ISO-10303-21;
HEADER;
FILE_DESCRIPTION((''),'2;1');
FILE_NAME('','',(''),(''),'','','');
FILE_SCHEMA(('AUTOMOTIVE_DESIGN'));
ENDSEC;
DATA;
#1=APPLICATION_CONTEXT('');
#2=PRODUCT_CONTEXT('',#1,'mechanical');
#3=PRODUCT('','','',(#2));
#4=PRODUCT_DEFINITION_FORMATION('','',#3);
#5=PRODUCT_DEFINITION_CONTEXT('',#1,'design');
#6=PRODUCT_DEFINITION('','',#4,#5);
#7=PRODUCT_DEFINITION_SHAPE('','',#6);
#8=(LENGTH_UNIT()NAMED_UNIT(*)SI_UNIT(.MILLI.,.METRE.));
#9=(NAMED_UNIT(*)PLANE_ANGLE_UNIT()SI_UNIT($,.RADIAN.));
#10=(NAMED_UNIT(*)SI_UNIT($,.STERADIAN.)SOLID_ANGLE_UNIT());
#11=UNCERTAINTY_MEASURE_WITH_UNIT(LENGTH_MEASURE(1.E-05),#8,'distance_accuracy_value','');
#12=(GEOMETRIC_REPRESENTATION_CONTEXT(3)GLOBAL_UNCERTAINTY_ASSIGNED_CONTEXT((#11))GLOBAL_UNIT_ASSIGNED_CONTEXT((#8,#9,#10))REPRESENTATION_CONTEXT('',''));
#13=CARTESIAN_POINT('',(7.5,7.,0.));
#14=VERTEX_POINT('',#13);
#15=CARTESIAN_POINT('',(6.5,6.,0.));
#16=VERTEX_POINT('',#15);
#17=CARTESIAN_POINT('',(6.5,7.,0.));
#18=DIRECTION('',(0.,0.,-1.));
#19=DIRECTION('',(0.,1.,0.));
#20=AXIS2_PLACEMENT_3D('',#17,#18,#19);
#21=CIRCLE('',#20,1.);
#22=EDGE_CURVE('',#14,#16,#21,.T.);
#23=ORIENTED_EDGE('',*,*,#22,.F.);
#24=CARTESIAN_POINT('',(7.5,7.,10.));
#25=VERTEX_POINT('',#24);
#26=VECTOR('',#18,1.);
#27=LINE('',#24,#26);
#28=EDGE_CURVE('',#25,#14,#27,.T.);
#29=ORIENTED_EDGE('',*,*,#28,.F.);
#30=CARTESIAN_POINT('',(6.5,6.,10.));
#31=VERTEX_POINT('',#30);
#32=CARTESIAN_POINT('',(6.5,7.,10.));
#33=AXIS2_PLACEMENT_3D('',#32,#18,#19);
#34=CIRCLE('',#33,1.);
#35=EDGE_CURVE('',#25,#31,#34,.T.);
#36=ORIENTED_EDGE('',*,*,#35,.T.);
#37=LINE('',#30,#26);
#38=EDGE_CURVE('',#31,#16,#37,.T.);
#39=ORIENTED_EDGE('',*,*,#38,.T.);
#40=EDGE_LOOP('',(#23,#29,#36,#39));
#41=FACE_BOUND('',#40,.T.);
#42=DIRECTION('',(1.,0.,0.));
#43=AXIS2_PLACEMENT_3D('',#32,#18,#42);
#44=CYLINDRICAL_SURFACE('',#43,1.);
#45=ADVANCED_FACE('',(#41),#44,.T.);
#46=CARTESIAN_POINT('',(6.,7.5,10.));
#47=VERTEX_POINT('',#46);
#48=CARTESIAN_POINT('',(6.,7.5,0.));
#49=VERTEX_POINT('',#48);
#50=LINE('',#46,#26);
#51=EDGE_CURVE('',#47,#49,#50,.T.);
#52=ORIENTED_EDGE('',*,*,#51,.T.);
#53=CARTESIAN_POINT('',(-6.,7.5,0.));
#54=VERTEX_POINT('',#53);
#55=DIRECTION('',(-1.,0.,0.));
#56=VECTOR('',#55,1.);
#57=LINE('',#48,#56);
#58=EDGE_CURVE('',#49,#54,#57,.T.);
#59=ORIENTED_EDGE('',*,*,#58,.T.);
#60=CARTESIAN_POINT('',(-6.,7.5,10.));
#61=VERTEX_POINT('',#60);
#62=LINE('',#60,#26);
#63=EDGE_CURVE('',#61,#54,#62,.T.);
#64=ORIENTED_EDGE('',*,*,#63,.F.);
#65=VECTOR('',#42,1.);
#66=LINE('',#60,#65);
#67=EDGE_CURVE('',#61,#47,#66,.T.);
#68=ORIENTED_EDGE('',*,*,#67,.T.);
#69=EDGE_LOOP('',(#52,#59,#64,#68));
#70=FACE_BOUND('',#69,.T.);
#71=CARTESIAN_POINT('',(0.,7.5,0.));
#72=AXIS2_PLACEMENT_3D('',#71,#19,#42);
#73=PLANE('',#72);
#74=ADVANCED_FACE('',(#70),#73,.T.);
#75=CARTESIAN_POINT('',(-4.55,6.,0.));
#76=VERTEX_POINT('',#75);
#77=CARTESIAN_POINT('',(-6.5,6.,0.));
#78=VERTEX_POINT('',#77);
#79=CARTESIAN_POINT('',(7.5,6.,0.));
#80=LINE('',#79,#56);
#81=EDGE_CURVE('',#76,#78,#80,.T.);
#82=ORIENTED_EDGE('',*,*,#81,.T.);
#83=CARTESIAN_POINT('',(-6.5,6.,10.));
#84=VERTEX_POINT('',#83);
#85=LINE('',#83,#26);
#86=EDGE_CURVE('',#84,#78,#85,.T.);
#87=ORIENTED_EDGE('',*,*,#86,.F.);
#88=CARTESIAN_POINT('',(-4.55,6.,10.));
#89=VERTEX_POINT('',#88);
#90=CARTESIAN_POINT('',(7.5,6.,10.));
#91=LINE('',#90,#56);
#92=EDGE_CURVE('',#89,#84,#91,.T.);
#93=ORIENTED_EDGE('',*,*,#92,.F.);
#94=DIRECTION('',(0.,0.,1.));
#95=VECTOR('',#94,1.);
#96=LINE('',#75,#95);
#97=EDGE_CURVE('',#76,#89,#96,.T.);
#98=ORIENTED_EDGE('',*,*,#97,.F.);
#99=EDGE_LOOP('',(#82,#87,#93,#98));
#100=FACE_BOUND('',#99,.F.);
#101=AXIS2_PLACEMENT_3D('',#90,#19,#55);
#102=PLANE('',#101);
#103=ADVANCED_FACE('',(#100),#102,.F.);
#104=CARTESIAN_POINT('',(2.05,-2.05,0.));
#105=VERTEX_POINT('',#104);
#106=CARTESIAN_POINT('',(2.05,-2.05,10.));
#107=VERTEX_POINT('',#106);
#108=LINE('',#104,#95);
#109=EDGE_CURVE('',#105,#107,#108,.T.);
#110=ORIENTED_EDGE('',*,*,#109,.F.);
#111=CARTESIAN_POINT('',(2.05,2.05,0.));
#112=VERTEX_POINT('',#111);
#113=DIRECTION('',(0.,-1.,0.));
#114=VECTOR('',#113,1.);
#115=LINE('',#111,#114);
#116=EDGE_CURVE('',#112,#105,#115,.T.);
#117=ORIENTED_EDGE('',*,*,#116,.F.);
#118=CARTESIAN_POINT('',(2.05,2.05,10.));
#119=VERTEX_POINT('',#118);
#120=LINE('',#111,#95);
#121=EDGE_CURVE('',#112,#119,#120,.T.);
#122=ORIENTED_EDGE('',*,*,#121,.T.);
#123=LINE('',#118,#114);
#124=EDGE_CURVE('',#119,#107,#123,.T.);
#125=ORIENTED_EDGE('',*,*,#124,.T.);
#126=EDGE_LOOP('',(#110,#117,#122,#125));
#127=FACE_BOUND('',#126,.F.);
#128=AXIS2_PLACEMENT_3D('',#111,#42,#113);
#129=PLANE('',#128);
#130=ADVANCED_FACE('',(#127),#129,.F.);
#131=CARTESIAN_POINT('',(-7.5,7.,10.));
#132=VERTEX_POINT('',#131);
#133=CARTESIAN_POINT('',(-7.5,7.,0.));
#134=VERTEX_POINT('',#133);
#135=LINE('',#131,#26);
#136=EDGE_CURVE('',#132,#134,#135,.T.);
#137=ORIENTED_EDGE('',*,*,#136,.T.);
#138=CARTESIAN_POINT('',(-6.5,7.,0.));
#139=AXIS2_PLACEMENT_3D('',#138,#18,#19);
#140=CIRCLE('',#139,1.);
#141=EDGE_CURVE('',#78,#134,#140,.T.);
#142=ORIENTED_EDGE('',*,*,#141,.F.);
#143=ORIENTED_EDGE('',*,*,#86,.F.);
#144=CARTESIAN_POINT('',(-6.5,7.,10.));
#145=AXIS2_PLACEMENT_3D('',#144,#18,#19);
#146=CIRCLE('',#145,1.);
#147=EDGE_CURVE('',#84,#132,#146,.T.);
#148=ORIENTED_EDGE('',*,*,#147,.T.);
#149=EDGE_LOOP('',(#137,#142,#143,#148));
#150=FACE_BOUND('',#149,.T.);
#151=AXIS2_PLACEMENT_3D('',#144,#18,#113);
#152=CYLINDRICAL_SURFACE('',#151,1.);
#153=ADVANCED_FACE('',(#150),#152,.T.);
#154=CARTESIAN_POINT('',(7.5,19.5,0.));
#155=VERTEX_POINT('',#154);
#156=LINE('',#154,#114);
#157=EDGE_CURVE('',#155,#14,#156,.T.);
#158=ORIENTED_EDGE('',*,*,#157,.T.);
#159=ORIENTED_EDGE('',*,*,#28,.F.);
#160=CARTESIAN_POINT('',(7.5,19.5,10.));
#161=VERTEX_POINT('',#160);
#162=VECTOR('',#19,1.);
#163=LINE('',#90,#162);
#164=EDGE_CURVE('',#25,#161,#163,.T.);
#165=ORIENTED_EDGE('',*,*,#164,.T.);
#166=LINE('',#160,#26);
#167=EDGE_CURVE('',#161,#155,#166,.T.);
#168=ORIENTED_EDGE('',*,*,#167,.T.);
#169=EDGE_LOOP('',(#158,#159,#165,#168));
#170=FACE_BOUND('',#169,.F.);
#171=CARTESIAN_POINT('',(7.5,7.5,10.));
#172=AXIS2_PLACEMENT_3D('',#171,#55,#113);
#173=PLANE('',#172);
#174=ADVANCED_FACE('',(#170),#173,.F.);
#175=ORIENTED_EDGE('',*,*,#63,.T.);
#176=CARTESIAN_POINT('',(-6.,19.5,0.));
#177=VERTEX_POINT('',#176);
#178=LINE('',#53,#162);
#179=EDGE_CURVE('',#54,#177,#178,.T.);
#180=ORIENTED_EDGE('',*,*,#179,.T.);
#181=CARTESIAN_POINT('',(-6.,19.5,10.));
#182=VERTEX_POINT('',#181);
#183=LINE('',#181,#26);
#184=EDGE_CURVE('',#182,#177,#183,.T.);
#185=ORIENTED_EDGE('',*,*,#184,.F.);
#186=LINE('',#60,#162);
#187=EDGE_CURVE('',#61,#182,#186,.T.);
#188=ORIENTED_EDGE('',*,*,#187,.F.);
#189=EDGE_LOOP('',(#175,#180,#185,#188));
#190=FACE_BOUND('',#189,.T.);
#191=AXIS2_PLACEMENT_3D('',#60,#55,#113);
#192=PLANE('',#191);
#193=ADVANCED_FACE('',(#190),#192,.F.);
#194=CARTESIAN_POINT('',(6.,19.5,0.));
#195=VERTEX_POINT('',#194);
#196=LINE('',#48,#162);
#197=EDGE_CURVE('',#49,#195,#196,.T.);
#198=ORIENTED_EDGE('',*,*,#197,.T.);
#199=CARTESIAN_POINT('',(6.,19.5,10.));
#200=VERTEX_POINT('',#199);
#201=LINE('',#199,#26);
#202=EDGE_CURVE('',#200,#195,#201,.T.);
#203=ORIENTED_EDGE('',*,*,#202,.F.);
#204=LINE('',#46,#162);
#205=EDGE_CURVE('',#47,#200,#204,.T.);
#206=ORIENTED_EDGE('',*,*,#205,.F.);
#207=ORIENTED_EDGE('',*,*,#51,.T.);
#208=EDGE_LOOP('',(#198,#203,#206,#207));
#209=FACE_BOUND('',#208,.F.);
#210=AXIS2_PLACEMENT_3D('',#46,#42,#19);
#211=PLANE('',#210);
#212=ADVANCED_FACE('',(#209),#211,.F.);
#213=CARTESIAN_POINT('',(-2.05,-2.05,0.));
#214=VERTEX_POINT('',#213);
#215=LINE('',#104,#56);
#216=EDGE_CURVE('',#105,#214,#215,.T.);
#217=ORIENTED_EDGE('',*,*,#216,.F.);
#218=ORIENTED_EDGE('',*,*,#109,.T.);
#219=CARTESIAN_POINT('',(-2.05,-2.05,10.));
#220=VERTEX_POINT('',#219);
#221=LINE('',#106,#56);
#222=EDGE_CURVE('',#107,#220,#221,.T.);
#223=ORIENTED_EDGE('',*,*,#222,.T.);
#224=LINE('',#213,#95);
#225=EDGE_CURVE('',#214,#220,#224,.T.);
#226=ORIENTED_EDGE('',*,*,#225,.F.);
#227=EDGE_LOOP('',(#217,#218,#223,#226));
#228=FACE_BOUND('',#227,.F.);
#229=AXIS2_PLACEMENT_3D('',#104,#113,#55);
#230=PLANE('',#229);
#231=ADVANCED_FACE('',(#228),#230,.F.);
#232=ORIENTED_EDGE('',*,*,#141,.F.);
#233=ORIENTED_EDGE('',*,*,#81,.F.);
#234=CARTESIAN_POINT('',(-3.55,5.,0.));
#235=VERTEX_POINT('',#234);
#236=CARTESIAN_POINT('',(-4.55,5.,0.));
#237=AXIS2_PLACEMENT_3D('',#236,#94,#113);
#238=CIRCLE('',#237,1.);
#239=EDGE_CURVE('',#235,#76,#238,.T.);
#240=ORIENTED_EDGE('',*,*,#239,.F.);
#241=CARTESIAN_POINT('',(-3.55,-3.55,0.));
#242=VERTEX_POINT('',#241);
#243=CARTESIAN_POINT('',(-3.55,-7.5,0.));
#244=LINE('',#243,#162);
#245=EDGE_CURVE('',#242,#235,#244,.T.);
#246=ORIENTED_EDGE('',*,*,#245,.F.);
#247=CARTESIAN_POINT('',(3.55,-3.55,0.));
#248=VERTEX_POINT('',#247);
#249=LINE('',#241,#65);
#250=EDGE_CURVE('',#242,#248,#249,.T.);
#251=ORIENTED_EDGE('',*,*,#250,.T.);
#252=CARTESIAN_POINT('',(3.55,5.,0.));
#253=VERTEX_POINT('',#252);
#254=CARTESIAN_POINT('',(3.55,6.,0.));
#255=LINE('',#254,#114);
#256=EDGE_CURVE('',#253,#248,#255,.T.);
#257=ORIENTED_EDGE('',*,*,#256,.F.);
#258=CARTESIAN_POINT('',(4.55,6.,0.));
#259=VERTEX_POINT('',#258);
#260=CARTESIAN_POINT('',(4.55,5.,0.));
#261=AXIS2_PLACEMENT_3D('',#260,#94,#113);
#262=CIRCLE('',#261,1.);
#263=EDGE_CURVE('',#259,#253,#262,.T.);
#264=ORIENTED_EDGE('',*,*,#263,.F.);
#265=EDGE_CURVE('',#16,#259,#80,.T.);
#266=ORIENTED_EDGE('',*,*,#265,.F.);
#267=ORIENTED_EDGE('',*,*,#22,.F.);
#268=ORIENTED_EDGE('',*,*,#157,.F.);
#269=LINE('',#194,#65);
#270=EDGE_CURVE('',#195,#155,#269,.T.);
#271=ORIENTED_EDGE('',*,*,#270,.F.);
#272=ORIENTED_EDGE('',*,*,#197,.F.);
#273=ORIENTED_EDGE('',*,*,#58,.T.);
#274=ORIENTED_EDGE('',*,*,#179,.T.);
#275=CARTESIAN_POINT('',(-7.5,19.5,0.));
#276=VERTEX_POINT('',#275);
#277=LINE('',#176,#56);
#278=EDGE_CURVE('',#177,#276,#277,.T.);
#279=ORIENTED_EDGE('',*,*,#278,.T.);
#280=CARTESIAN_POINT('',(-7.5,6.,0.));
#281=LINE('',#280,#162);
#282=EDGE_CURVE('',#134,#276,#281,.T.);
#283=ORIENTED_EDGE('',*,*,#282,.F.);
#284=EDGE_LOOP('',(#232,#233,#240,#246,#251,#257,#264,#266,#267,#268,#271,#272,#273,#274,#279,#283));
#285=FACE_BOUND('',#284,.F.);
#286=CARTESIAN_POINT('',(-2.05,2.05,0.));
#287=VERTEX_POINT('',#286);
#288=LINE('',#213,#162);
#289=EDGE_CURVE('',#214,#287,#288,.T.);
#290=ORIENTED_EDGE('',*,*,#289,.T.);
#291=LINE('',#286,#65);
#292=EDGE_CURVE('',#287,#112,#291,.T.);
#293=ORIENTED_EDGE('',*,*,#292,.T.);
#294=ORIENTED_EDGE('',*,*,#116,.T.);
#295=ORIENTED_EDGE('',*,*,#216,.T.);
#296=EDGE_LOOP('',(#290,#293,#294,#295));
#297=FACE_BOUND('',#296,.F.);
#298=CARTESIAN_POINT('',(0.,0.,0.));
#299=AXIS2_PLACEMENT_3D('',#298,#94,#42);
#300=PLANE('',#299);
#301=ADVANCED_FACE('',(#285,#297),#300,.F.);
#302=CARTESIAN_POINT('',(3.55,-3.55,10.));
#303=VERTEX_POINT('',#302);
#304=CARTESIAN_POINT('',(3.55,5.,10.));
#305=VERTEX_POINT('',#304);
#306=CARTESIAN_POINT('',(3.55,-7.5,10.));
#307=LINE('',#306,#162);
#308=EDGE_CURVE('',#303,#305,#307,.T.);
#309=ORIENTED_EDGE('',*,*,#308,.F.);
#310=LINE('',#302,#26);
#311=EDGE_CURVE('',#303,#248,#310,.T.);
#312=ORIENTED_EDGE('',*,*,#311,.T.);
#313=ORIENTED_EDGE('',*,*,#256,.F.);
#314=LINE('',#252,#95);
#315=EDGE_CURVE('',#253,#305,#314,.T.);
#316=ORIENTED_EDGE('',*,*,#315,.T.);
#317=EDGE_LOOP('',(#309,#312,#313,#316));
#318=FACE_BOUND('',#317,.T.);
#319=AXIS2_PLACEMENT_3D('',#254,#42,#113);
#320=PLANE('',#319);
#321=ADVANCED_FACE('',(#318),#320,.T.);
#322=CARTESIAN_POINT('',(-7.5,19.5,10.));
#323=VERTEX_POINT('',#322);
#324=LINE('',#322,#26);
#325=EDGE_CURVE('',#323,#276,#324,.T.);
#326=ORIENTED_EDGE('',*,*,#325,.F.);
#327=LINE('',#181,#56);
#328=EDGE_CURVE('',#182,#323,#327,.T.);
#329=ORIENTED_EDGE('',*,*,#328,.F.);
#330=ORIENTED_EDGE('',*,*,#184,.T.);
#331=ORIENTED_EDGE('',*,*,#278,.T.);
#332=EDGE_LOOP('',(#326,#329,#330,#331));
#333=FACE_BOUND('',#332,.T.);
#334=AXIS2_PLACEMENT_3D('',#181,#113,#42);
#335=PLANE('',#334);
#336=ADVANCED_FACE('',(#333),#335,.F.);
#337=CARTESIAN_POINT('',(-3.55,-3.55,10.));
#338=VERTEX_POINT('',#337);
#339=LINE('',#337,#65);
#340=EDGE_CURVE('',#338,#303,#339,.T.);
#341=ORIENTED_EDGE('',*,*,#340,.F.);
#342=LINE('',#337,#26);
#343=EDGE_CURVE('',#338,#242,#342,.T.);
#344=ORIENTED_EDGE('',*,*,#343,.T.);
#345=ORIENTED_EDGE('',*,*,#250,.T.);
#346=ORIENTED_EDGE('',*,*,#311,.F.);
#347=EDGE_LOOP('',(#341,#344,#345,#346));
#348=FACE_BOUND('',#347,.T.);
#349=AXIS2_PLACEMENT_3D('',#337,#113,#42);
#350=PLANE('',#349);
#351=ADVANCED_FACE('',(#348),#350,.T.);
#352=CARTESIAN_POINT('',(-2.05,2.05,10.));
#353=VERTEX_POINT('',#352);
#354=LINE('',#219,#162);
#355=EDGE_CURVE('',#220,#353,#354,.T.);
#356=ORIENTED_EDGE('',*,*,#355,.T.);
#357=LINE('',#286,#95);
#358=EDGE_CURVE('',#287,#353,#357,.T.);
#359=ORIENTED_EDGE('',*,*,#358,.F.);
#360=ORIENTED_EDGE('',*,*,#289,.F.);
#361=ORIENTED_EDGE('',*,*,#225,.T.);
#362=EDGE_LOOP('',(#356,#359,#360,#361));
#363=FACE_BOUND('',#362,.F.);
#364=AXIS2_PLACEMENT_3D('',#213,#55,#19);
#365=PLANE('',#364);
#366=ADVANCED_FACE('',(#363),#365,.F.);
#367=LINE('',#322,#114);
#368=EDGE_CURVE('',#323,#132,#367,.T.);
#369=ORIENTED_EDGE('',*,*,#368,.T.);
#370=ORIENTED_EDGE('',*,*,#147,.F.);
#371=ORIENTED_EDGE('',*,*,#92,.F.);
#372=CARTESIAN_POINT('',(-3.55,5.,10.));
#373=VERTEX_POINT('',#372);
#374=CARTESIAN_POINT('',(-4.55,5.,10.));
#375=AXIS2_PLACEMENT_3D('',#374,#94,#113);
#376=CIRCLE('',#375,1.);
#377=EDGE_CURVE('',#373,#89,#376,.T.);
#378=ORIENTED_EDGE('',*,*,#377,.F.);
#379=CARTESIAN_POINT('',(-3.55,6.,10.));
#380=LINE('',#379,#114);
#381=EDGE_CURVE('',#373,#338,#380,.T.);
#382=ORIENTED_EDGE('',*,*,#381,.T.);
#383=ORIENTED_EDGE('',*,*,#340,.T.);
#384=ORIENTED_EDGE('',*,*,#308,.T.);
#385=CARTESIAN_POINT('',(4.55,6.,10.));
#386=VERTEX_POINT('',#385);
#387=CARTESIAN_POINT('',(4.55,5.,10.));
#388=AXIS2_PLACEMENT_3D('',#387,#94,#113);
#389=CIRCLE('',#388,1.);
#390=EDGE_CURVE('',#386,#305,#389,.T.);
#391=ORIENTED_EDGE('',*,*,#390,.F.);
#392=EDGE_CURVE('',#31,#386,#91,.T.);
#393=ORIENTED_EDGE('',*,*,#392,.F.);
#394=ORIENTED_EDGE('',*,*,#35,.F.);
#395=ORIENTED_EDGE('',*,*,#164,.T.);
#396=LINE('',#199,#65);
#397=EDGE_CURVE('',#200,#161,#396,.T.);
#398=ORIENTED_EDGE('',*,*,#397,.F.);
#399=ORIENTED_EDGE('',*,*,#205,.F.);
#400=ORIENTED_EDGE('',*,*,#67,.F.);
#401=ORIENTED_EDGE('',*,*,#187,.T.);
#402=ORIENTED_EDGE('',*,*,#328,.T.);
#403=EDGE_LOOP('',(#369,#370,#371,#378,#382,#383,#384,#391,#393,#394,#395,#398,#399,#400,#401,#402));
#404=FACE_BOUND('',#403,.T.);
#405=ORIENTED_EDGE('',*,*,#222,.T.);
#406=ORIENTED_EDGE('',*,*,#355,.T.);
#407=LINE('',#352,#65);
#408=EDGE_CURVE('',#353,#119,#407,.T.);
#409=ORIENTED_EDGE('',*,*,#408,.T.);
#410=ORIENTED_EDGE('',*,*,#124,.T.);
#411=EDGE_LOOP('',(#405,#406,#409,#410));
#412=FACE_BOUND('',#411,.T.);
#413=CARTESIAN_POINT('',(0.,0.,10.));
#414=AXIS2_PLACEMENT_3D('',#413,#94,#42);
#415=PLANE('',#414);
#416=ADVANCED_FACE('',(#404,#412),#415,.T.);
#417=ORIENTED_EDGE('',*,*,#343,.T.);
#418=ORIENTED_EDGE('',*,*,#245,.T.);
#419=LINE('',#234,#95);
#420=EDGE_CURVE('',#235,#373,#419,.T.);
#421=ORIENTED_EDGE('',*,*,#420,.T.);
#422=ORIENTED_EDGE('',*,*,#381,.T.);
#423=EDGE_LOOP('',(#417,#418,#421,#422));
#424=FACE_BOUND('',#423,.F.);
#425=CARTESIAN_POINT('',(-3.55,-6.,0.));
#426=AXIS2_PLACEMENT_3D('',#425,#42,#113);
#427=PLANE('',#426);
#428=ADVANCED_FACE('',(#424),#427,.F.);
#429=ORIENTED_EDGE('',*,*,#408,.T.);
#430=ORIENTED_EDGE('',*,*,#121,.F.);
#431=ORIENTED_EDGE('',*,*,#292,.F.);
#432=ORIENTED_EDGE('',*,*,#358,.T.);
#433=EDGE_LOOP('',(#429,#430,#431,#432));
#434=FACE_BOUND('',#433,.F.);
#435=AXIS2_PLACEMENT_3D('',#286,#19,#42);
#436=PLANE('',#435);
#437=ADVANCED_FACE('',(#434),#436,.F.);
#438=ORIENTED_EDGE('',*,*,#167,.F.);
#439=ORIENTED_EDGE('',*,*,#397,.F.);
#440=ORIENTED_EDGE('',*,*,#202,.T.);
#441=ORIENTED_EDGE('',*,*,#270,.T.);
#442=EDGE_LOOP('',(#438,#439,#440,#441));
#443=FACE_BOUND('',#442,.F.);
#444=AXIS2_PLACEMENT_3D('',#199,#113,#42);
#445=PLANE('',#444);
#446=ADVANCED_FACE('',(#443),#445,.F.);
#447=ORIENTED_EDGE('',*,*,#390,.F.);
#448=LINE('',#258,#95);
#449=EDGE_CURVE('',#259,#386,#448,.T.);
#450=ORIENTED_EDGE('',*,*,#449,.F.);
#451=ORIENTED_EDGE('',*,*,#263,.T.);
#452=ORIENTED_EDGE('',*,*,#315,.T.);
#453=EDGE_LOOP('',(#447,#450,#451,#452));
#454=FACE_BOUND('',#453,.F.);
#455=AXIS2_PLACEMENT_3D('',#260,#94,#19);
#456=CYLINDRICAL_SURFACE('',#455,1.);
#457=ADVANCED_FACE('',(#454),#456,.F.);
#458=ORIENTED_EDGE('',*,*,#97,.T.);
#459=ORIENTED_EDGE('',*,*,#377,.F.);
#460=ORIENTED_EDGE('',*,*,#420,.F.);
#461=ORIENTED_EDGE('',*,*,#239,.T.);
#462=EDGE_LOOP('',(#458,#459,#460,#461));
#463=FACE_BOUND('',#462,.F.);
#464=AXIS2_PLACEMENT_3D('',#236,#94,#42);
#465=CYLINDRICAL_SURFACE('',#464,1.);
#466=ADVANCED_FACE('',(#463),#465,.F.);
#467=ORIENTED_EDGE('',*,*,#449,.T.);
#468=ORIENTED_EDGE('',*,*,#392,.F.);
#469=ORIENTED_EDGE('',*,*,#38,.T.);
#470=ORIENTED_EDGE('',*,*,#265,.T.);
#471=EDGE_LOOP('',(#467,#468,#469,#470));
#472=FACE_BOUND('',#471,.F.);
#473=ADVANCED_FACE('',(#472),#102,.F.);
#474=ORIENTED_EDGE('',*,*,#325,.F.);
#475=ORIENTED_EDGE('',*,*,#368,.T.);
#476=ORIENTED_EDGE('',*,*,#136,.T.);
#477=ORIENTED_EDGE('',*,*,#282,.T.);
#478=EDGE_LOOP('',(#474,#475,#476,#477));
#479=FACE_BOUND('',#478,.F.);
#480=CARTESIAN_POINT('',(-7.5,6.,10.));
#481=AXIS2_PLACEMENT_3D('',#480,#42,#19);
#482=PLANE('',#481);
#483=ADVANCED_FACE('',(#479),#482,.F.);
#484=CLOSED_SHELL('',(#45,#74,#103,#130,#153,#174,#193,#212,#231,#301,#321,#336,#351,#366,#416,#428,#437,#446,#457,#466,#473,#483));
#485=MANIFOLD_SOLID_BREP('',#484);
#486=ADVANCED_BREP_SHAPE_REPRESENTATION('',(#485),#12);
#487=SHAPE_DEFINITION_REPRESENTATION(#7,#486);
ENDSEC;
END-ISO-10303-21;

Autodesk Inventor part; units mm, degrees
ref_plane "YZ Plane" through (0, 0, 0) normal (1, 0, 0) x (0, 1, 0)
ref_plane "XZ Plane" through (0, 0, 0) normal (0, 1, 0) x (-1, 0, 0)
ref_plane "XY Plane" through (0, 0, 0) normal (0, 0, 1) x (1, 0, 0)
sketch "Sketch1" plane through (0, 0, 0) normal (0, 0, 1) x (1, 0, 0)
  line L0 (-2.05, 2.05) -> (2.05, 2.05)
  line L1 (2.05, 2.05) -> (2.05, -2.05)
  line L2 (2.05, -2.05) -> (-2.05, -2.05)
  line L3 (-2.05, -2.05) -> (-2.05, 2.05)
  line L4 (0, 2.05) -> (0, -2.05) construction
  line L5 (0, 7.5) -> (-15.55, 7.5)
  line L6 (-15.55, 7.5) -> (-15.55, 6)
  line L7 (-15.55, 6) -> (-3.55, 6)
  line L8 (-3.55, 6) -> (-3.55, -6)
  line L9 (-3.55, -6) -> (-15.55, -6)
  line L10 (-15.55, -6) -> (-15.55, -7.5)
  line L11 (-15.55, -7.5) -> (-0.55, -7.5)
  line L12 (-2.05, 0) -> (2.05, 0) construction
  line L13 (0, 7.5) -> (15.55, 7.5)
  line L14 (15.55, 7.5) -> (15.55, 6)
  line L15 (15.55, 6) -> (3.55, 6)
  line L16 (3.55, 6) -> (3.55, -6)
  line L17 (3.55, -6) -> (15.55, -6)
  line L18 (15.55, -6) -> (15.55, -7.5)
  line L19 (15.55, -7.5) -> (-0.55, -7.5)
  line L20 (-2.05, 2.05) -> (2.05, -2.05) construction
  line L21 (2.05, 2.05) -> (-2.05, -2.05) construction
  line L22 (0, 7.5) -> (0, 2.05) construction
  line L23 (-3.55, 6) -> (-3.55, 7.5)
  line L24 (-3.55, -6) -> (-3.55, -7.5)
  line L25 (3.55, 6) -> (3.55, 7.5)
  line L26 (3.55, -6) -> (3.55, -7.5)
  point P0 (0, 0)
  point P1 (0, 0)
  point P2 (0, 0)
  dimension "d3" = 4.1
  dimension "d4" = 4.1
  dimension "d5" = 12
  dimension "d6" = 1.5
  dimension "d7" = 1.5
  dimension "d8" = 5.45
  dimension "d9" = 5.45
  dimension "d10" = 1.5
  dimension "d11" = 12
  dimension "d37" = 15
extrude "Extrusion1" add sketch "Sketch1" along normal blind 10 contours L13 L25 L16 L26 L19 L11 L24 L8 L23 L5
sketch "Sketch5" plane through (0, 0, 10) normal (0, 0, 1) x (1, 0, 0)
  line L0 (6, 19.5) -> (7.5, 19.5)
  line L1 (7.5, 19.5) -> (7.5, 7.5)
  line L2 (7.5, 7.5) -> (6, 7.5)
  line L3 (6, 7.5) -> (6, 19.5)
  line L4 (3.55, 7.5) -> (-3.55, 7.5) projected
  line L5 (3.55, -7.5) -> (3.55, 7.5) projected
  line L6 (0, 0) -> (0, 23.4065) construction
  point P0 (15.55, 7.5)
  point P1 (-15.55, 7.5)
  point P2 (3.55, -6)
  point P3 (3.55, 6)
  dimension "d41" = 1.5
  dimension "d42" = 12
  dimension "d47" = 6
extrude "Extrusion5" add sketch "Sketch5" against normal up to surface (10 mm away)
mirror "Mirror1" about plane through (0, 0, 0) normal (1, 0, 0) of "Extrusion5"
sketch "Sketch7" plane through (0, 0, 10) normal (0, 0, 1) x (1, 0, 0)
  line L0 (-7.5, 19.5) -> (-7.5, 7.5) projected
  line L1 (-7.5, 7.5) -> (7.5, 7.5)
  line L2 (7.5, 7.5) -> (7.5, 6)
  line L3 (7.5, 6) -> (-7.5, 6)
  line L4 (-7.5, 6) -> (-7.5, 7.5)
  line L5 (7.5, 7.5) -> (7.5, 19.5) projected
  point P0 (0, 0)
  dimension "d53" = 1.5
extrude "Extrusion7" add sketch "Sketch7" against normal up to surface (10 mm away)
fillet "Fillet3" radius 1 4 edges at (-3.55, 6, 5) (3.55, 6, 5) (7.5, 6, 5) (-7.5, 6, 5)
sketch "Sketch8" plane through (0, 0, 10) normal (0, 0, 1) x (1, 0, 0)
  line L0 (-3.55, -3.55) -> (3.55, -3.55)
  line L1 (3.55, -3.55) -> (3.55, -7.5)
  line L2 (3.55, -7.5) -> (-3.55, -7.5)
  line L3 (-3.55, -7.5) -> (-3.55, -3.55)
  line L4 (2.05, -2.05) -> (-2.05, -2.05) projected
  line L5 (3.55, -7.5) -> (3.55, 5) projected
  line L6 (-3.55, 5) -> (-3.55, -7.5) projected
  line L7 (-3.55, -7.5) -> (3.55, -7.5) projected
  point P0 (0, 0)
  dimension "d57" = 1.5
extrude "Extrusion8" cut sketch "Sketch8" against normal blind 10
equation "\"d7\" = d6"
equation "\"d8\" = d9"
properties part number "Rudder_interface" material "ABS Plastic"
